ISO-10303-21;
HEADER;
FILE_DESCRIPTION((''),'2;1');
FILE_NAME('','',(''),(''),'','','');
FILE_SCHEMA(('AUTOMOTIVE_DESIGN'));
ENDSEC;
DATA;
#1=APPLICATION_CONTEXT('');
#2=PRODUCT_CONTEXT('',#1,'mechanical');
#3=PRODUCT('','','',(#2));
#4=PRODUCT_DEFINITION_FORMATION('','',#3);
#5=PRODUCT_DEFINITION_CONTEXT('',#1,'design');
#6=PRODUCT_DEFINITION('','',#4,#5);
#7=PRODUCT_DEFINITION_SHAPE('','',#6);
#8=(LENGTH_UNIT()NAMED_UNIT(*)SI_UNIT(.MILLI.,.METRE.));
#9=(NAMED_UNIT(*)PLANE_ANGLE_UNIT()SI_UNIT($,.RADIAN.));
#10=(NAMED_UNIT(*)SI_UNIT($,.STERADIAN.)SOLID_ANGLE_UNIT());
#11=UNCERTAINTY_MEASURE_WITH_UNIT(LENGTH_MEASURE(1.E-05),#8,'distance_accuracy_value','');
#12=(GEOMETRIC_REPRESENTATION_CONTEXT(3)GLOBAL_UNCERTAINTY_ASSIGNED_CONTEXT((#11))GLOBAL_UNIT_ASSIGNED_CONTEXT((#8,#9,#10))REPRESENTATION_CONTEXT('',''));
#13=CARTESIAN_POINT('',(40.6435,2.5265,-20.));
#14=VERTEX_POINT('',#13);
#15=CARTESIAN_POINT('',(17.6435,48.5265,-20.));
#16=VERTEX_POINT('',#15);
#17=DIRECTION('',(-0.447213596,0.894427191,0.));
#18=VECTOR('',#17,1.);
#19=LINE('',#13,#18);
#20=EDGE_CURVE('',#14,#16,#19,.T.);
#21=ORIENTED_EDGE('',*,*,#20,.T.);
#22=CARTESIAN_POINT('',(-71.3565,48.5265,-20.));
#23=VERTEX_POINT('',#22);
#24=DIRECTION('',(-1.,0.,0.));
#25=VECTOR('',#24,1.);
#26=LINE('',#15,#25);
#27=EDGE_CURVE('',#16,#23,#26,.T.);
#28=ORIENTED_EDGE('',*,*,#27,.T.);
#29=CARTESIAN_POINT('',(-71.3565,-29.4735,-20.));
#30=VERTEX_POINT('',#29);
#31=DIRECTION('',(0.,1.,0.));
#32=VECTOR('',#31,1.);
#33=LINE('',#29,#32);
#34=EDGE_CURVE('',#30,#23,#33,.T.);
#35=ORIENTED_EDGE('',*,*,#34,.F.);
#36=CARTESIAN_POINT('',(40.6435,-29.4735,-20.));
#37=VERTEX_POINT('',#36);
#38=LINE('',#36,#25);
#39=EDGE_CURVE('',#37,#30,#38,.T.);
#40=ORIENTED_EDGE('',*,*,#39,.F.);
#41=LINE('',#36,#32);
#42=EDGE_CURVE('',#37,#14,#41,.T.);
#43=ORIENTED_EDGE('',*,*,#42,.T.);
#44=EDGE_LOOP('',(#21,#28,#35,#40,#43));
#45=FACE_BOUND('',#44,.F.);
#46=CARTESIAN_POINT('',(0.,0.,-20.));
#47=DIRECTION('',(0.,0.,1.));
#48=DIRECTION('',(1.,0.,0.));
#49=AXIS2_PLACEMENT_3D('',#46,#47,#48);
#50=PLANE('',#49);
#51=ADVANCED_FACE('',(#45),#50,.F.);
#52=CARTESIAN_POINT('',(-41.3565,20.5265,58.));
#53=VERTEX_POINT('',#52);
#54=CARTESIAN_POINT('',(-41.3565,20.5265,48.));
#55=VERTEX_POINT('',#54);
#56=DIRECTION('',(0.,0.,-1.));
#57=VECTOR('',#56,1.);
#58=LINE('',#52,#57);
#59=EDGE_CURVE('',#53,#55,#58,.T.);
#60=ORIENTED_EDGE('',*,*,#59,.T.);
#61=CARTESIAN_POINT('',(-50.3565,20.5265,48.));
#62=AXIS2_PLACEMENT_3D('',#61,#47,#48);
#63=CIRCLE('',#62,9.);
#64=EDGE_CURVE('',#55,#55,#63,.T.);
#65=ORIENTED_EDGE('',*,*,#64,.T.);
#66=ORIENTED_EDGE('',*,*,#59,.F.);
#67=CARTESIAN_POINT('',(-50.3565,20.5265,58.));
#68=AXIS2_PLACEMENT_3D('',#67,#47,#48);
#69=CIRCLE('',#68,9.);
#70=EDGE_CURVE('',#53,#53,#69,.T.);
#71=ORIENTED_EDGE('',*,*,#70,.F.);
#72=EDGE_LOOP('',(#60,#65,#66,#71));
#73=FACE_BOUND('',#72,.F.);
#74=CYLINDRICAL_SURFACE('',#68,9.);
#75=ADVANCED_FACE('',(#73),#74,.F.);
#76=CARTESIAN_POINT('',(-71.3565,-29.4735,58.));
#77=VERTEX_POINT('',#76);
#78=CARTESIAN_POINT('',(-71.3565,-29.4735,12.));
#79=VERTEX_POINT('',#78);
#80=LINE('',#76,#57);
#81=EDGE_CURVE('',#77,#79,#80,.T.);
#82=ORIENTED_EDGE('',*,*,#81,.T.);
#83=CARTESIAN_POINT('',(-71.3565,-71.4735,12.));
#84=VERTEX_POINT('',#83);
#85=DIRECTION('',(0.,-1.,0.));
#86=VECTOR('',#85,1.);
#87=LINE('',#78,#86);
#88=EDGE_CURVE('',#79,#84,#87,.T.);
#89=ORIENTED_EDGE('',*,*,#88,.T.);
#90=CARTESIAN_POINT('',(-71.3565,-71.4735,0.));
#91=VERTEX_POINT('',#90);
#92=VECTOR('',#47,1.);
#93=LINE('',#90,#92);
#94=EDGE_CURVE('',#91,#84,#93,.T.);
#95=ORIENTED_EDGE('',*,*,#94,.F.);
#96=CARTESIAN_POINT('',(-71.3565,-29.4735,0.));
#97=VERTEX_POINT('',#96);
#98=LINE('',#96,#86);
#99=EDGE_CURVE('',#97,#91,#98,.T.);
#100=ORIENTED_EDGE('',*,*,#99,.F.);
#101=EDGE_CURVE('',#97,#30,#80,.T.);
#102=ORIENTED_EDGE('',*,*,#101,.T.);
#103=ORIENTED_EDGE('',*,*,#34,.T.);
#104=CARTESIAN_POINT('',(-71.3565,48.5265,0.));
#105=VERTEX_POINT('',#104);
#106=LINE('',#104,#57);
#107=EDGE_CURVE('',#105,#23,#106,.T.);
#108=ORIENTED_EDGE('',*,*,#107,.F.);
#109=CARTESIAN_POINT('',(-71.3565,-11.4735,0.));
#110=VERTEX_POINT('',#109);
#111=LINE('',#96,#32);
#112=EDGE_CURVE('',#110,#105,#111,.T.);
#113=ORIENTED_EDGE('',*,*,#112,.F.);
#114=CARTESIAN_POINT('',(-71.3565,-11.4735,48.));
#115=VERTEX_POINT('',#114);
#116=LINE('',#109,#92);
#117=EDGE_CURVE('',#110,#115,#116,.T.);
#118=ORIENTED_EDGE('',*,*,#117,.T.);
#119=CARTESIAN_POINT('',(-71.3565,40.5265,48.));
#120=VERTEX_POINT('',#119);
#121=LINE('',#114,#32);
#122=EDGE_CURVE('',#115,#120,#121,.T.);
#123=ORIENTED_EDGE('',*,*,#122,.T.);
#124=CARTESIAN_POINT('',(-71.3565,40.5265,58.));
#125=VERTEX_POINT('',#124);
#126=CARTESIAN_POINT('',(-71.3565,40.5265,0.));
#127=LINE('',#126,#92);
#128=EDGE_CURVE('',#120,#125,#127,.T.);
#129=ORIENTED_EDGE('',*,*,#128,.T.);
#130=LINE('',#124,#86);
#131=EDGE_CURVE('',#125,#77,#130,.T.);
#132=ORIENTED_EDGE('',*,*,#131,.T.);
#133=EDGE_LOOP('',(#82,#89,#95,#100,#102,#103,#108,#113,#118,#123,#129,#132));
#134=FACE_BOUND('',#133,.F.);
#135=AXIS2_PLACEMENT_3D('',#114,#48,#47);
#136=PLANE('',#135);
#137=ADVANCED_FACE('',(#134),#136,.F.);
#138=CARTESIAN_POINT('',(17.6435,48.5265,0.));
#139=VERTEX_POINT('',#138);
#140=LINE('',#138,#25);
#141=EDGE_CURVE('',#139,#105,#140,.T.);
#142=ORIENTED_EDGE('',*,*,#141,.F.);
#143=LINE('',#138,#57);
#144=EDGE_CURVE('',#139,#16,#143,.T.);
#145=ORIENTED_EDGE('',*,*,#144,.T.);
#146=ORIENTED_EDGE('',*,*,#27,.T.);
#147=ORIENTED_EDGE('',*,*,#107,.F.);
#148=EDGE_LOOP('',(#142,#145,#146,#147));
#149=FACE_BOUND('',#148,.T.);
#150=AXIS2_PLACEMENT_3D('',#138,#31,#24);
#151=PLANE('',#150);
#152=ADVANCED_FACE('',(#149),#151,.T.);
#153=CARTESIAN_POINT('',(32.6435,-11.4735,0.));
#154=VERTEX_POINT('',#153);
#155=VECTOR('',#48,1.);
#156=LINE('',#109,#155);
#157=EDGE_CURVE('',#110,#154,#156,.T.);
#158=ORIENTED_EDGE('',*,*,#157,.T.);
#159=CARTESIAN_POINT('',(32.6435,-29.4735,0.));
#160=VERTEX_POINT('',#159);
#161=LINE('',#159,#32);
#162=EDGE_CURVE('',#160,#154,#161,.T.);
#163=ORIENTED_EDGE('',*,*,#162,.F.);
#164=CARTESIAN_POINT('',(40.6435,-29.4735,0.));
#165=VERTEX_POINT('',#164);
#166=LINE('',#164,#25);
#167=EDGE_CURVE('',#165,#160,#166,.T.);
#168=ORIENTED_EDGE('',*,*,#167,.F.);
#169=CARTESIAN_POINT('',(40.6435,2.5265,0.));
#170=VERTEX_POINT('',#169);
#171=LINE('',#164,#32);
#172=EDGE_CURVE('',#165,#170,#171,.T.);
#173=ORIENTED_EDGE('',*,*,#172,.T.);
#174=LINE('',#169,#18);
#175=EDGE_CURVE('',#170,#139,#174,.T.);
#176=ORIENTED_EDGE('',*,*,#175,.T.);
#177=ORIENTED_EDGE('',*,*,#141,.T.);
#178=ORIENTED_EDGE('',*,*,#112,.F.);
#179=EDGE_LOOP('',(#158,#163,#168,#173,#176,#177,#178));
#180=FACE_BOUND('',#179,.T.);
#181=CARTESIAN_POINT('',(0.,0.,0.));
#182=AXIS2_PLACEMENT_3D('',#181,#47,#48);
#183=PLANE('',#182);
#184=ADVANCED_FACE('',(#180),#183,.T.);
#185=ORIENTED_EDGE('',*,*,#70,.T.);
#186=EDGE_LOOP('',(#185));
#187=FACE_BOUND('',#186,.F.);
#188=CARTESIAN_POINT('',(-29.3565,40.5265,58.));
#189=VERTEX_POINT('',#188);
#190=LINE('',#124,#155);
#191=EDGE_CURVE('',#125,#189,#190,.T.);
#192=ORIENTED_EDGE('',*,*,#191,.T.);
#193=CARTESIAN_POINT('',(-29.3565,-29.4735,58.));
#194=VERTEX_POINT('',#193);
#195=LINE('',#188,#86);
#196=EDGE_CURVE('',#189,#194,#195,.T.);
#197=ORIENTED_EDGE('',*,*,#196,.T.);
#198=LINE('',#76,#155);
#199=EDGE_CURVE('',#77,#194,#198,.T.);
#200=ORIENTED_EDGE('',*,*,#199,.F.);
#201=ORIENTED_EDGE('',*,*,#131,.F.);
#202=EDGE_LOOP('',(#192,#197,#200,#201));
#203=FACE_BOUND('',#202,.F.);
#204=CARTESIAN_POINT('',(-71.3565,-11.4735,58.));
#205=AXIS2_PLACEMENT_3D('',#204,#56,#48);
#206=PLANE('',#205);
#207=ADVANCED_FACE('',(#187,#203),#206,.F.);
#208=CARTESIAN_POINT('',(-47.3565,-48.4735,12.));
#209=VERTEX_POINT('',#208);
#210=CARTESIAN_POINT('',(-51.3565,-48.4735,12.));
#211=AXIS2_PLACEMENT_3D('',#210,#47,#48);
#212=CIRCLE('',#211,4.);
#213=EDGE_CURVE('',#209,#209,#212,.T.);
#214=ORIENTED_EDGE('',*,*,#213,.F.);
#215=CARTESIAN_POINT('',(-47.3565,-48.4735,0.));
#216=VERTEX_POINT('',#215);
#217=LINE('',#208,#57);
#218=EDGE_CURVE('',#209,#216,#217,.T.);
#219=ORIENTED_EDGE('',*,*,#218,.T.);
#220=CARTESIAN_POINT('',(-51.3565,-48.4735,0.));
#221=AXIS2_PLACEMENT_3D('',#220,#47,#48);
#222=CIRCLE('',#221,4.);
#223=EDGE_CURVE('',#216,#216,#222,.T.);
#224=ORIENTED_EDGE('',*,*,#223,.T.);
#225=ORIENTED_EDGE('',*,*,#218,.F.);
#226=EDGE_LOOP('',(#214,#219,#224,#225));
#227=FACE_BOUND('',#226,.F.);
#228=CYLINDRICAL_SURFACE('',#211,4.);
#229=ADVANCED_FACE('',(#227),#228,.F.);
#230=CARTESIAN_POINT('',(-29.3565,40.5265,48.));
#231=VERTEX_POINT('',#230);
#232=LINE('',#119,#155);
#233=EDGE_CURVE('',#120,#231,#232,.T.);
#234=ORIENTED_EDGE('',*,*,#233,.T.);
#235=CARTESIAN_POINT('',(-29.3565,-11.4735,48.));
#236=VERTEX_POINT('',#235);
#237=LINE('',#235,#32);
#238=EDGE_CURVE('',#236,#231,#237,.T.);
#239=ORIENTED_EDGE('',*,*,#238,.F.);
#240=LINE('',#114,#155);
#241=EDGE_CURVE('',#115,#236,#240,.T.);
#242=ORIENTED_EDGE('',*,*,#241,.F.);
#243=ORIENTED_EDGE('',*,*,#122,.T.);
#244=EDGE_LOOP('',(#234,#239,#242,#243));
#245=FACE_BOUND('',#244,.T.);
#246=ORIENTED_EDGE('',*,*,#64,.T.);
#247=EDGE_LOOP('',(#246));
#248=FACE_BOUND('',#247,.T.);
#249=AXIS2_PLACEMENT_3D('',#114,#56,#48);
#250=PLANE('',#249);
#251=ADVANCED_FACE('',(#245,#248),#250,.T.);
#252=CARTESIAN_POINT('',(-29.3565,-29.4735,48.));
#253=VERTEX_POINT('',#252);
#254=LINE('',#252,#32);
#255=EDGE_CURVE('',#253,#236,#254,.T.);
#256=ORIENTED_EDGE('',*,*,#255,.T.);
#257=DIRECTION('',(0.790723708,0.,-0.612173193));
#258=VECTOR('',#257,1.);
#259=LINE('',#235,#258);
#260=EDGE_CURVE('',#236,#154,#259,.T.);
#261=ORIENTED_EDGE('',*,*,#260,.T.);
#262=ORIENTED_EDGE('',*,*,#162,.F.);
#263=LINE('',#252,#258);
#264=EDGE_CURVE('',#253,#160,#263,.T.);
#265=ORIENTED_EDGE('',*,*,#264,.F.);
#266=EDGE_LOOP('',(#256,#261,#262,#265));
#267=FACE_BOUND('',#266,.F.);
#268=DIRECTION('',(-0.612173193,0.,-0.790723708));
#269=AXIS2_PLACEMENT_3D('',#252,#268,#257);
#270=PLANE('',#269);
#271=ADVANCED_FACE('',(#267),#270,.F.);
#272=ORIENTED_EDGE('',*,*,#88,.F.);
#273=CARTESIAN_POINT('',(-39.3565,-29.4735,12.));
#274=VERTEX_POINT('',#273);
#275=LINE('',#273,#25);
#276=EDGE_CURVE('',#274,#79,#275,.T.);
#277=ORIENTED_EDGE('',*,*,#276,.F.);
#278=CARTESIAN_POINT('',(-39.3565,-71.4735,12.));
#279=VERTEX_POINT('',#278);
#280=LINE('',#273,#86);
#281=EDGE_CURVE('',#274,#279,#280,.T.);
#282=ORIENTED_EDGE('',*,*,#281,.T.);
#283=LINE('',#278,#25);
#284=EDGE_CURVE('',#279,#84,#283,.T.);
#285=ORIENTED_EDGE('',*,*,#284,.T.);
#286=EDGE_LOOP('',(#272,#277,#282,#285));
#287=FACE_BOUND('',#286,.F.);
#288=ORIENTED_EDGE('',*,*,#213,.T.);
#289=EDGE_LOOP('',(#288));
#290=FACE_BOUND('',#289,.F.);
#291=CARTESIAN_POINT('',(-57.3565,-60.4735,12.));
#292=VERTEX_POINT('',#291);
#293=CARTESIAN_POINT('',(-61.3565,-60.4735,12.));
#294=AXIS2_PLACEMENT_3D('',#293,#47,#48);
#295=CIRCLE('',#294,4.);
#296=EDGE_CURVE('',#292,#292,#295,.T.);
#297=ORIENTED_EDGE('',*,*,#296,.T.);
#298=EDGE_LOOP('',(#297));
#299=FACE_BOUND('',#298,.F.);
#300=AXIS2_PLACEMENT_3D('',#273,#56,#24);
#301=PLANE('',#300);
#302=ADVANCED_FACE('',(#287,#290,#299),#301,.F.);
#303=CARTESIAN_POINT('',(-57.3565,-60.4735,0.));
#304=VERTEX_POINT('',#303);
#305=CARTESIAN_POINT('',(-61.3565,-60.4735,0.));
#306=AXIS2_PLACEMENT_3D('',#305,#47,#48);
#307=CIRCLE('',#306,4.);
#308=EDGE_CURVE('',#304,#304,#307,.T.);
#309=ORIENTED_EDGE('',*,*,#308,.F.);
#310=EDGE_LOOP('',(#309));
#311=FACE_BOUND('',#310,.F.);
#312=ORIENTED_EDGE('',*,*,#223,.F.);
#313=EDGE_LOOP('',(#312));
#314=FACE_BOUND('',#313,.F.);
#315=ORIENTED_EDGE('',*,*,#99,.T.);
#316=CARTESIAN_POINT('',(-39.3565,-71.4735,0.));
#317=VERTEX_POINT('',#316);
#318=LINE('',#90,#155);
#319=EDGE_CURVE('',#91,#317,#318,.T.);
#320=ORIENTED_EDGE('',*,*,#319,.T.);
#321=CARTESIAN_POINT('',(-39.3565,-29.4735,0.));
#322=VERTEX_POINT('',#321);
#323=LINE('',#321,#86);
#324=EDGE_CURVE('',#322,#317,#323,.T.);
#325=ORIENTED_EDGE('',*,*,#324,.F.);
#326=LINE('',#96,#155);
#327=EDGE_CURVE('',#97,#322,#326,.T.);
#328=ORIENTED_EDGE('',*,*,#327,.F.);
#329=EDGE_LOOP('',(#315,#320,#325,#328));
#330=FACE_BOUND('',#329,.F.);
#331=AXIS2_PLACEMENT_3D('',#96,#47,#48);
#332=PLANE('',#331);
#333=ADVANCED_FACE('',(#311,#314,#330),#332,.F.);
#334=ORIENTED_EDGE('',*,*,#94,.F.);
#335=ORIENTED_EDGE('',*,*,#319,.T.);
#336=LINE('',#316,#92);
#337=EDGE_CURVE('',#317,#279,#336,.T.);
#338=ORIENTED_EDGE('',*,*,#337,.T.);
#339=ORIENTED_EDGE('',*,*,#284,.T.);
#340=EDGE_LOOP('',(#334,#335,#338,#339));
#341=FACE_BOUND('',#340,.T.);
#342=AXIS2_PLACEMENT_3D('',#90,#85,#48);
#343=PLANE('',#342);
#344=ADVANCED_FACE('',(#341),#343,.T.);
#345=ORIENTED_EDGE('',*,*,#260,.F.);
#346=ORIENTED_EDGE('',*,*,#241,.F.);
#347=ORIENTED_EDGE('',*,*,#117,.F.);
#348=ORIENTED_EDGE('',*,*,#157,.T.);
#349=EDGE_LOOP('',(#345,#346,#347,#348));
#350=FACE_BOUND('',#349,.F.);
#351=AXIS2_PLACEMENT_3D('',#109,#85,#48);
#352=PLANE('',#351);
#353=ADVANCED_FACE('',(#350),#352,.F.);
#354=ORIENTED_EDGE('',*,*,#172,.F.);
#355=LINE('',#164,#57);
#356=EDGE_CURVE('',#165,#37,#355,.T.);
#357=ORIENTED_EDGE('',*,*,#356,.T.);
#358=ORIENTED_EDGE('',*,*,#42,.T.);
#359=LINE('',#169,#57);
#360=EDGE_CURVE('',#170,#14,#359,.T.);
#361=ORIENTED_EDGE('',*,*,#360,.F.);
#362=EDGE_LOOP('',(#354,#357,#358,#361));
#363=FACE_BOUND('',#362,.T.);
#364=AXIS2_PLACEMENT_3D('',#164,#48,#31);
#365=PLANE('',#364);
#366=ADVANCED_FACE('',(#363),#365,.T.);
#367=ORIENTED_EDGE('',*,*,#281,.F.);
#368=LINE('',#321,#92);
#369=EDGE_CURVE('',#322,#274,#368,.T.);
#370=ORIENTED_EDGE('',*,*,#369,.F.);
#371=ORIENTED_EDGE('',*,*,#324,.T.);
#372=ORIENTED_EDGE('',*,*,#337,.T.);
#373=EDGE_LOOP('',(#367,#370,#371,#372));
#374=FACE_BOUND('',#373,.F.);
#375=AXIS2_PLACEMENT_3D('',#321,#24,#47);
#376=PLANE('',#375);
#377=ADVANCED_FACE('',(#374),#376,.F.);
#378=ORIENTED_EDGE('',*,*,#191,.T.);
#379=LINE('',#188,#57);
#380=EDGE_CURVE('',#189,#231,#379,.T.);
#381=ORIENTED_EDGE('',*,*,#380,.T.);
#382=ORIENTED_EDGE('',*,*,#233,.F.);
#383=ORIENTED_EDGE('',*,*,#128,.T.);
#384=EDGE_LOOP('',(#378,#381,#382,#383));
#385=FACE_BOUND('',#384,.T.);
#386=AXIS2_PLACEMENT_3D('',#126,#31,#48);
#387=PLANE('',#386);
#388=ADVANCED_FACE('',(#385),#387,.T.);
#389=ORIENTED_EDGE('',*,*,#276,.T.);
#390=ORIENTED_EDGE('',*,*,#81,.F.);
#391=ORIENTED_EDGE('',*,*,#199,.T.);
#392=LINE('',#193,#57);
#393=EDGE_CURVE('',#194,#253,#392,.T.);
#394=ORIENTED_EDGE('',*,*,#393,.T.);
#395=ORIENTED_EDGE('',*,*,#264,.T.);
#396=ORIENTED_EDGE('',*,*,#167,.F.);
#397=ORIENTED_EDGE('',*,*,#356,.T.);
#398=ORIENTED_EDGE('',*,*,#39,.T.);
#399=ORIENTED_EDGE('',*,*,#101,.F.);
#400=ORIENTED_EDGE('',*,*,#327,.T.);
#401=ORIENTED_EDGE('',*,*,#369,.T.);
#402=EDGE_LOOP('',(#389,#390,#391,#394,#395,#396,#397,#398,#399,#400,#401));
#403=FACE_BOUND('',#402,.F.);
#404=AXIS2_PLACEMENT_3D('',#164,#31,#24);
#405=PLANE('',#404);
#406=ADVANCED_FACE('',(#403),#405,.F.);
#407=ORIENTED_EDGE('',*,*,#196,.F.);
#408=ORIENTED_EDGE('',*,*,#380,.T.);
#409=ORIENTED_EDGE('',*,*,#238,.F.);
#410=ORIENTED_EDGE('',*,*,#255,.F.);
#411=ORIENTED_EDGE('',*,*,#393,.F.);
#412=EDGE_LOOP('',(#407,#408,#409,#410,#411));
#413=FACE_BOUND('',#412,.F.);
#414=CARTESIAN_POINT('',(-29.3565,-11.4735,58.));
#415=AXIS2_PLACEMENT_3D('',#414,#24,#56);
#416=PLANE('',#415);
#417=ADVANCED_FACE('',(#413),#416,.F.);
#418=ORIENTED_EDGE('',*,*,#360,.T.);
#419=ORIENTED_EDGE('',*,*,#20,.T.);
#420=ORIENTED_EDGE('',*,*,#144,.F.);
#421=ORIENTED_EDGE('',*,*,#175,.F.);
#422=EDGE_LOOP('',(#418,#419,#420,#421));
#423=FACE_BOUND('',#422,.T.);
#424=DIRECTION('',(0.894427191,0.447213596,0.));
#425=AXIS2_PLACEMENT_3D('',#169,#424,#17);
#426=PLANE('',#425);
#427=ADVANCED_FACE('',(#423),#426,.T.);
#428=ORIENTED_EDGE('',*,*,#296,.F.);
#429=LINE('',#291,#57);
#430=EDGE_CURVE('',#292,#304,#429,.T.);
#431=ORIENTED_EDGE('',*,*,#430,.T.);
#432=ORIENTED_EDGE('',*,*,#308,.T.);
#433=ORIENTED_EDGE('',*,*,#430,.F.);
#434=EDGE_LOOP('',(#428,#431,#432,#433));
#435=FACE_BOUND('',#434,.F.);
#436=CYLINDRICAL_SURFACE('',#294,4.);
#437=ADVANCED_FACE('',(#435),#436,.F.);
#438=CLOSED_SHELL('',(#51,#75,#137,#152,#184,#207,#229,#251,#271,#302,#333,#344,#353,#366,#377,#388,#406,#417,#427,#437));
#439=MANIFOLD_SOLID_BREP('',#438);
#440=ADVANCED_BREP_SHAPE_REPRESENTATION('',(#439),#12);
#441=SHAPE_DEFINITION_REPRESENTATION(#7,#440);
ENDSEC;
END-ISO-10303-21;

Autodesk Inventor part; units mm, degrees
ref_plane "YZ Plane" through (0, 0, 0) normal (1, 0, 0) x (0, 1, 0)
ref_plane "XZ Plane" through (0, 0, 0) normal (0, 1, 0) x (-1, 0, 0)
ref_plane "XY Plane" through (0, 0, 0) normal (0, 0, 1) x (1, 0, 0)
sketch "Sketch1" plane through (0, 0, 0) normal (0, 0, 1) x (1, 0, 0)
  line L0 (40.6435, -29.4735) -> (-71.3565, -29.4735)
  line L1 (-71.3565, -29.4735) -> (-71.3565, 48.5265)
  line L2 (40.6435, -29.4735) -> (40.6435, 2.5265)
  line L3 (40.6435, 2.5265) -> (17.6435, 48.5265)
  line L4 (17.6435, 48.5265) -> (-71.3565, 48.5265)
  point P0 (0, 0)
  point P1 (40.6435, 100.5706)
  dimension "d0" = 112
  dimension "d1" = 78
  dimension "d5" = 32
  dimension "d8" = 23
extrude "Extrusion1" add sketch "Sketch1" against normal blind 20
sketch "Sketch2" plane through (0, 0, 0) normal (0, 0, 1) x (1, 0, 0)
  point P0 (0, 0)
ref_plane "Work Plane1" through (-71.3565, -29.4735, 0) normal (0, -1, 0) x (1, 0, 0)
sketch "Sketch3" plane through (-71.3565, -29.4735, 0) normal (0, -1, 0) x (1, 0, 0)
  line L0 (0, 0) -> (0, 58)
  line L1 (0, 58) -> (42, 58)
  line L2 (42, 58) -> (42, 48)
  line L3 (42, 48) -> (104, 0)
  line L4 (112, 0) -> (89, 0) projected
  line L5 (0, 0) -> (104, 0)
  point P0 (71.3565, 0)
  dimension "d12" = 8
  dimension "d13" = 10
  dimension "d14" = 58
  dimension "d21" = 42
extrude "Extrusion2" add sketch "Sketch3" against normal blind 18
sketch "Sketch4" plane through (-71.3565, -29.4735, 0) normal (0, -1, 0) x (1, 0, 0)
  line L0 (0, 0) -> (0, 58) projected
  line L1 (0, 0) -> (32, 0)
  line L2 (32, 0) -> (32, 12)
  line L3 (32, 12) -> (0, 12)
  line L4 (0, 12) -> (0, 0)
  point P0 (71.3565, 0)
  point P1 (0, 12)
  dimension "d17" = 12
  dimension "d18" = 32
extrude "Extrusion3" add sketch "Sketch4" along normal blind 42
sketch "Sketch5" plane through (-71.3565, -11.4735, 0) normal (0, 1, 0) x (1, 0, 0)
  point P0 (71.3565, 0)
sketch "Sketch6" plane through (-71.3565, -11.4735, 0) normal (0, 1, 0) x (1, 0, 0)
  line L0 (42, -48) -> (104, 0) projected
  line L1 (0, -58) -> (42, -58) projected
  line L2 (0, -58) -> (42, -58) projected
  line L3 (42, -58) -> (42, -48) projected
  line L4 (42, -48) -> (104, 0) projected
  line L5 (0, 0) -> (104, 0) projected
  line L6 (0, 0) -> (0, -58) projected
  line L7 (0, 0) -> (0, -58) projected
  line L8 (42, -58) -> (42, -48) projected
  line L9 (0, -58) -> (0, -12) projected
  line L10 (42, -58) -> (0, -58)
  line L11 (0, -58) -> (0, -48)
  line L12 (0, -48) -> (42, -48)
  line L13 (42, -48) -> (42, -58)
  point P0 (71.3565, 0)
extrude "Extrusion4" add sketch "Sketch6" along normal blind 52 contours L3 L1 L6 L12
sketch "Sketch7" plane through (-71.3565, -29.4735, 12) normal (0, 0, 1) x (1, 0, 0)
  line L0 (0, 0) -> (0, -42) projected
  circle A0 centre (10, -31) radius 4
  circle A1 centre (20, -19) radius 4
  point P0 (71.3565, 29.4735)
  point P1 (10, -42)
  point P2 (0, -31)
  point P3 (20, -42)
  point P4 (0, -19)
  dimension "d24" = 10
  dimension "d25" = 11
  dimension "d26" = 8
  dimension "d27" = 20
  dimension "d28" = 23
  dimension "d29" = 8
extrude "Extrusion5" cut sketch "Sketch7" against normal blind 52
sketch "Sketch8" plane through (-71.3565, -29.4735, 58) normal (0, 0, 1) x (1, 0, 0)
  line L0 (42, 0) -> (0, 0) projected
  line L1 (42, 0) -> (42, 70) projected
  line L2 (0, 70) -> (42, 70) projected
  line L3 (0, 0) -> (0, 70) projected
  line L4 (0, 70) -> (42, 70) projected
  circle A0 centre (21, 50) radius 9
  point P0 (71.3565, 29.4735)
  point P1 (0, 50)
  point P2 (21, 70)
  point P3 (21, 70)
  dimension "d32" = 21
  dimension "d33" = 20
  dimension "d34" = 18
extrude "Extrusion6" cut sketch "Sketch8" against normal blind 20 contours A0
